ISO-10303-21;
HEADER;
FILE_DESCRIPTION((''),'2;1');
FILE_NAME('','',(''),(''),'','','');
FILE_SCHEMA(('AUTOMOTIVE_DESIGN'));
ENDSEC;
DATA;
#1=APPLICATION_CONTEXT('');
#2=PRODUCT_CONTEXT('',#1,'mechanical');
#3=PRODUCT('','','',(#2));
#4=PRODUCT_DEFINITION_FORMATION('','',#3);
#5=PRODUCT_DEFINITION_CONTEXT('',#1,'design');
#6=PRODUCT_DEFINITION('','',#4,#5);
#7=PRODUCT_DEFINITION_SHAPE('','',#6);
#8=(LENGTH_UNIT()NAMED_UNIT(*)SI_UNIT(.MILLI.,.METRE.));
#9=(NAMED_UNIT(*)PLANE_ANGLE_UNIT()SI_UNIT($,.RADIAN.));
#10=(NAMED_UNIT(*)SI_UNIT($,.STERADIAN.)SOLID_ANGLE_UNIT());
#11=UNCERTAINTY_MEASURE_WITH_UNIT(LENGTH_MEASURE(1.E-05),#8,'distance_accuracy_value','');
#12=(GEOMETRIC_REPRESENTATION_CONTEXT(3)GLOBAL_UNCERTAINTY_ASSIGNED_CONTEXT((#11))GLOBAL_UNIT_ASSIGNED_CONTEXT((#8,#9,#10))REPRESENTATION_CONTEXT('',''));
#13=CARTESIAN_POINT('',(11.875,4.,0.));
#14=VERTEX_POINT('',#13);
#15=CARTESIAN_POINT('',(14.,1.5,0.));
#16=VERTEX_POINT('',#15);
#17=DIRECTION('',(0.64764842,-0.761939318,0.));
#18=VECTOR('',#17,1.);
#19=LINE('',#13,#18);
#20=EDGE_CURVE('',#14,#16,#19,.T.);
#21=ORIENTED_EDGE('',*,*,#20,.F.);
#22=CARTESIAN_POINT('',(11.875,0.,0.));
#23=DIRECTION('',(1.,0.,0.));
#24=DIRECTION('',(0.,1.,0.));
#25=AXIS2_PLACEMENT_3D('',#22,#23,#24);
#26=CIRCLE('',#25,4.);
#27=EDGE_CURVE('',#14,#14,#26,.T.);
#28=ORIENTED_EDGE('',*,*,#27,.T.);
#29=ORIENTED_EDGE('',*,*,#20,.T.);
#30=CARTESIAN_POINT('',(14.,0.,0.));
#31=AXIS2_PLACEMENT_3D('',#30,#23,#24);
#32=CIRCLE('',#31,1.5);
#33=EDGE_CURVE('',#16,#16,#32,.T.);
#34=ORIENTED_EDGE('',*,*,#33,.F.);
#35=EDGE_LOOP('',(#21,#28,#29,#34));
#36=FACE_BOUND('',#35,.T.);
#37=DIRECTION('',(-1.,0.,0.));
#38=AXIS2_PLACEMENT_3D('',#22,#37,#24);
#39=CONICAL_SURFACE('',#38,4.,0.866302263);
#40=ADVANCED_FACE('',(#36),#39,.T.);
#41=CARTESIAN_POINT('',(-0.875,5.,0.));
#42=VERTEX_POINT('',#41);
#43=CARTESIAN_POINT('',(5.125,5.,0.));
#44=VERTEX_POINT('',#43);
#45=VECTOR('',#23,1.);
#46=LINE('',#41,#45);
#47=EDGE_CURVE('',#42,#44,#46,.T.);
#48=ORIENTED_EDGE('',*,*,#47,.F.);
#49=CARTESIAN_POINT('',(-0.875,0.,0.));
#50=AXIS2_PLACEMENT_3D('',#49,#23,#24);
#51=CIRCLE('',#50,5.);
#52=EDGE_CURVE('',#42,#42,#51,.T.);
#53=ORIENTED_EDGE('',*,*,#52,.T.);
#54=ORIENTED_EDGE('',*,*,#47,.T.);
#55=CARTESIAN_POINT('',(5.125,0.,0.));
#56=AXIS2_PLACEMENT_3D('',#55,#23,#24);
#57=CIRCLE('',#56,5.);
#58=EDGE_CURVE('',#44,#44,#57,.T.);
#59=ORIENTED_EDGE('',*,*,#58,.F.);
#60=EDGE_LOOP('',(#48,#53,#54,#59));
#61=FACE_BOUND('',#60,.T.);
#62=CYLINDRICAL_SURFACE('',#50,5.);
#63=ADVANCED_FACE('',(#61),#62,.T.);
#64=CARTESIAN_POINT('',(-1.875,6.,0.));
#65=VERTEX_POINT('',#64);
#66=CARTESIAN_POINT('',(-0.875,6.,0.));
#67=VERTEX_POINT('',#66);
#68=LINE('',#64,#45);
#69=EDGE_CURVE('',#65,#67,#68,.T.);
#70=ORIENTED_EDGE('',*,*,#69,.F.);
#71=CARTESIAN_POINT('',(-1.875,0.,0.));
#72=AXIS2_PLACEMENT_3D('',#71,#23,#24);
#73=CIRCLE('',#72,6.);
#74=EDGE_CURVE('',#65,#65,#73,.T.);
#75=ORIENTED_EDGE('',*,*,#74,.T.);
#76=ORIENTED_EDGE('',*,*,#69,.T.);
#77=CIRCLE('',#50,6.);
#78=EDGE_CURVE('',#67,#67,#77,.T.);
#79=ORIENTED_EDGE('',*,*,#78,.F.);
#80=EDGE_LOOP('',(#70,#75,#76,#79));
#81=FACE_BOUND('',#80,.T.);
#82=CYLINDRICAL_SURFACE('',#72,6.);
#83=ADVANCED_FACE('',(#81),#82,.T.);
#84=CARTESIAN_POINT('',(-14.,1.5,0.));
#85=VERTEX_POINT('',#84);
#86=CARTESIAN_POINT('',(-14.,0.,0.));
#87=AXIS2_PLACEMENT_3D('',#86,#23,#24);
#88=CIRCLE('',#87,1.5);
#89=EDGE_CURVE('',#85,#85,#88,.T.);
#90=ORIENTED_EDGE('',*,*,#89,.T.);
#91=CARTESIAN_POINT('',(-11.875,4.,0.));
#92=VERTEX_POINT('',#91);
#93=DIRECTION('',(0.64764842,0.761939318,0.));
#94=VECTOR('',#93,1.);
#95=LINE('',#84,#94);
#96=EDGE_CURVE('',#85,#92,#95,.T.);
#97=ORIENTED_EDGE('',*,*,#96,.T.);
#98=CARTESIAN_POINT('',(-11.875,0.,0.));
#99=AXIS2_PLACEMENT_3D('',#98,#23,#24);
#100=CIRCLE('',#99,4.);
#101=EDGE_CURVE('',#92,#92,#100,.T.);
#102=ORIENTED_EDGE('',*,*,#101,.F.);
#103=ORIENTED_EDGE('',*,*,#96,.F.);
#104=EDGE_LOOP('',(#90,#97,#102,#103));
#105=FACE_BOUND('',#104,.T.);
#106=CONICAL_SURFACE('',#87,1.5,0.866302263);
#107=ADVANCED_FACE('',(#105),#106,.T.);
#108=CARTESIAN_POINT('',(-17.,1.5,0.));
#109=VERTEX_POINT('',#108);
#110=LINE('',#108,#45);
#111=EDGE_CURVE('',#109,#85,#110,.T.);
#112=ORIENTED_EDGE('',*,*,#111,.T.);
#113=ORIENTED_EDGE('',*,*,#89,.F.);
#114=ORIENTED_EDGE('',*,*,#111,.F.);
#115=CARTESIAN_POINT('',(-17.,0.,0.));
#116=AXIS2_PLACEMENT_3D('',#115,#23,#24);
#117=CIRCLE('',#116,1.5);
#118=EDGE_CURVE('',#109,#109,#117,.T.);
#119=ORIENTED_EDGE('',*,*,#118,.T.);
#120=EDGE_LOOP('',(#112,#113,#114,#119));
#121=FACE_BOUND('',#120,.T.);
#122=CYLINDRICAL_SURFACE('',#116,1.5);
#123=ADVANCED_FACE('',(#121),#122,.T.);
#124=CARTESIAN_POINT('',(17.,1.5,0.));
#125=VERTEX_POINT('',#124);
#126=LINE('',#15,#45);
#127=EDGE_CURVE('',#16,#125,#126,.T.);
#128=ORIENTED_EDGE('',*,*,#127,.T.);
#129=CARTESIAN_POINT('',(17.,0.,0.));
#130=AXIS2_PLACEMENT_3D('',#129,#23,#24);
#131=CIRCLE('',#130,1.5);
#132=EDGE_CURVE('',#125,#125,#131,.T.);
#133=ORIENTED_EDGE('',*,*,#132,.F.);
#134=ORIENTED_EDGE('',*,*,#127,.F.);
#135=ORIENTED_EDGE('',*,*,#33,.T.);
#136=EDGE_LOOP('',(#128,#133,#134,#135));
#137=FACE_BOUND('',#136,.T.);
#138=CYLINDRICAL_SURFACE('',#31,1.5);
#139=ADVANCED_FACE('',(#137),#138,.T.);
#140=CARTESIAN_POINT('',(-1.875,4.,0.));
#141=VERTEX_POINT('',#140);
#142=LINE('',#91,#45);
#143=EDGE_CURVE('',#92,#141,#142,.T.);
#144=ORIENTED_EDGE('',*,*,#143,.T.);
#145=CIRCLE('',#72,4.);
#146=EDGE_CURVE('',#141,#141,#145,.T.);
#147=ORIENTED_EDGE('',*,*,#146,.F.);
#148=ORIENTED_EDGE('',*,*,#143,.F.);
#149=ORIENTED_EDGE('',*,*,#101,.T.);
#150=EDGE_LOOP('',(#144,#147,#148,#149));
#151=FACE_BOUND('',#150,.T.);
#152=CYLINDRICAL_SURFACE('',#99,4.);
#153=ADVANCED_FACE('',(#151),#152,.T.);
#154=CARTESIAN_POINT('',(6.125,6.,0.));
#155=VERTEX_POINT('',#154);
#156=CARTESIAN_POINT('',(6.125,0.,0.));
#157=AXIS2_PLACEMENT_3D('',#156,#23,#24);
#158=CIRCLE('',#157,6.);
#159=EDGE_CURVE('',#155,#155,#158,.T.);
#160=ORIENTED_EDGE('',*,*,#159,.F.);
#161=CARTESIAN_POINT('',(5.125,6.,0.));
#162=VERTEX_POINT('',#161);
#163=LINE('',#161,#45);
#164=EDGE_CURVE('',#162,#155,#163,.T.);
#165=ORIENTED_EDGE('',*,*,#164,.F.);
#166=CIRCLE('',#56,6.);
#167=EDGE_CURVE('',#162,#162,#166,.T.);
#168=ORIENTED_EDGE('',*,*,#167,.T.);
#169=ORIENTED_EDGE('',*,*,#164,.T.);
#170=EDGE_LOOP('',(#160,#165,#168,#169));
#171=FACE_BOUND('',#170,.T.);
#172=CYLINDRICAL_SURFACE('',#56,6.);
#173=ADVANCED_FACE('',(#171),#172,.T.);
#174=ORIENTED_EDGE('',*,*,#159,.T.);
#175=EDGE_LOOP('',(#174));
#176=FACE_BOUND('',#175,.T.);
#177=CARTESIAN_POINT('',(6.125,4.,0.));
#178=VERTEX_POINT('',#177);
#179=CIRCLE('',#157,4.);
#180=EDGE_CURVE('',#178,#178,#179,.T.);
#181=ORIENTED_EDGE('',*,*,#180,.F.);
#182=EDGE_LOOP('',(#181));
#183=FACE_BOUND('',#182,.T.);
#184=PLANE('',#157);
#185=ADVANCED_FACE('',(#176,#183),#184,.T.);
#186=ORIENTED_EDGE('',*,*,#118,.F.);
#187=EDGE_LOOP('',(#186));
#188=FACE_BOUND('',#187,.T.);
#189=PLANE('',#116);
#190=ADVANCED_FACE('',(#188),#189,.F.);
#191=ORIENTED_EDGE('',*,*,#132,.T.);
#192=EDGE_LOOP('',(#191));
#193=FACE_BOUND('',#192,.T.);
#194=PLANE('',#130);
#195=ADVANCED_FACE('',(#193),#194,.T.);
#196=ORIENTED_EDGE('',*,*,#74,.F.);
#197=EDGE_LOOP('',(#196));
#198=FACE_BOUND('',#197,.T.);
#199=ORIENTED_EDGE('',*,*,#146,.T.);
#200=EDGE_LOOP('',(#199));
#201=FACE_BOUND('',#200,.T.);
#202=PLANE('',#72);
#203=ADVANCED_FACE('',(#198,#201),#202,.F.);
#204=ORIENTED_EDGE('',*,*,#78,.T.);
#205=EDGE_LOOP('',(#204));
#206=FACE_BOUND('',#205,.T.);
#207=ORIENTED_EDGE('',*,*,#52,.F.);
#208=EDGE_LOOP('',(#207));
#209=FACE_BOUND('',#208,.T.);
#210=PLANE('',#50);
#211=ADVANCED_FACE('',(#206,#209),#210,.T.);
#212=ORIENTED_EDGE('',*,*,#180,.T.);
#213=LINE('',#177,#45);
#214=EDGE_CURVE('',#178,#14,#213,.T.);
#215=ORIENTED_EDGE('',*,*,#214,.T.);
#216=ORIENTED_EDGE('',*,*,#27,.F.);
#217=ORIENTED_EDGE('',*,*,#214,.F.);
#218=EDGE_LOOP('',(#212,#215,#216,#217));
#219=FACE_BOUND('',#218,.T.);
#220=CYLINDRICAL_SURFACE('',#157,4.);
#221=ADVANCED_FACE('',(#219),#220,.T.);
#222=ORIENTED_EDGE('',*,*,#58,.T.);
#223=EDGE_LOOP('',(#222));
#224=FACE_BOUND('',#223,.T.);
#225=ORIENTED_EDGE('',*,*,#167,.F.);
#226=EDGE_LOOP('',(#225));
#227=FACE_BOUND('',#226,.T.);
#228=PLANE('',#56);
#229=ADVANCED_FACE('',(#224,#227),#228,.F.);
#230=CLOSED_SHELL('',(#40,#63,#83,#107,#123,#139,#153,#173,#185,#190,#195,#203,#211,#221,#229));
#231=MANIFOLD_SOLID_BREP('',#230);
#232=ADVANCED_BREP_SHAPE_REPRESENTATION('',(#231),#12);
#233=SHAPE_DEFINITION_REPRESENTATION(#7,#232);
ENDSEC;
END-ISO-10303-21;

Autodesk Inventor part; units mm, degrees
ref_plane "YZ Plane" through (0, 0, 0) normal (1, 0, 0) x (0, 1, 0)
ref_plane "XZ Plane" through (0, 0, 0) normal (0, 1, 0) x (-1, 0, 0)
ref_plane "XY Plane" through (0, 0, 0) normal (0, 0, 1) x (1, 0, 0)
sketch "Esquisse1" plane through (0, 0, 0) normal (0, 0, 1) x (1, 0, 0)
  line L0 (-17, 0) -> (-17, 1.5)
  line L1 (-17, 1.5) -> (-14, 1.5)
  line L2 (-14, 1.5) -> (-11.875, 4)
  line L3 (-11.875, 4) -> (-1.875, 4)
  line L4 (-1.875, 4) -> (-1.875, 6)
  line L5 (-1.875, 6) -> (-0.875, 6)
  line L6 (-0.875, 6) -> (-0.875, 5)
  line L7 (5.125, 5) -> (5.125, 6)
  line L8 (5.125, 6) -> (6.125, 6)
  line L9 (6.125, 6) -> (6.125, 4)
  line L10 (6.125, 4) -> (11.875, 4)
  line L11 (11.875, 4) -> (14, 1.5)
  line L12 (14, 1.5) -> (17, 1.5)
  line L13 (17, 1.5) -> (17, 0)
  line L14 (-17, 0) -> (17, 0)
  line L15 (-44.329, 0) -> (0, 0)
  line L16 (-0.875, 5) -> (5.125, 5)
  dimension "d0" = 34
  dimension "d1" = 3
  dimension "d2" = 8
  dimension "d4" = 12
  dimension "d5" = 10
  dimension "d6" = 6
  dimension "d7" = 1
  dimension "d8" = 1
  dimension "d9" = 5.75
  dimension "d10" = 10
  dimension "d12" = 3
  dimension "d13" = 17
  dimension "d17" = 3
revolve "Révolution1" add sketch "Esquisse1" angle 360 about axis through (-44.329, 0, 0) along (1, 0, 0)
equation "\"d8\" = d7"
equation "\"d13\" = 0.5 * d0"
properties part number "Axe de renvoie" material "Aluminium"
